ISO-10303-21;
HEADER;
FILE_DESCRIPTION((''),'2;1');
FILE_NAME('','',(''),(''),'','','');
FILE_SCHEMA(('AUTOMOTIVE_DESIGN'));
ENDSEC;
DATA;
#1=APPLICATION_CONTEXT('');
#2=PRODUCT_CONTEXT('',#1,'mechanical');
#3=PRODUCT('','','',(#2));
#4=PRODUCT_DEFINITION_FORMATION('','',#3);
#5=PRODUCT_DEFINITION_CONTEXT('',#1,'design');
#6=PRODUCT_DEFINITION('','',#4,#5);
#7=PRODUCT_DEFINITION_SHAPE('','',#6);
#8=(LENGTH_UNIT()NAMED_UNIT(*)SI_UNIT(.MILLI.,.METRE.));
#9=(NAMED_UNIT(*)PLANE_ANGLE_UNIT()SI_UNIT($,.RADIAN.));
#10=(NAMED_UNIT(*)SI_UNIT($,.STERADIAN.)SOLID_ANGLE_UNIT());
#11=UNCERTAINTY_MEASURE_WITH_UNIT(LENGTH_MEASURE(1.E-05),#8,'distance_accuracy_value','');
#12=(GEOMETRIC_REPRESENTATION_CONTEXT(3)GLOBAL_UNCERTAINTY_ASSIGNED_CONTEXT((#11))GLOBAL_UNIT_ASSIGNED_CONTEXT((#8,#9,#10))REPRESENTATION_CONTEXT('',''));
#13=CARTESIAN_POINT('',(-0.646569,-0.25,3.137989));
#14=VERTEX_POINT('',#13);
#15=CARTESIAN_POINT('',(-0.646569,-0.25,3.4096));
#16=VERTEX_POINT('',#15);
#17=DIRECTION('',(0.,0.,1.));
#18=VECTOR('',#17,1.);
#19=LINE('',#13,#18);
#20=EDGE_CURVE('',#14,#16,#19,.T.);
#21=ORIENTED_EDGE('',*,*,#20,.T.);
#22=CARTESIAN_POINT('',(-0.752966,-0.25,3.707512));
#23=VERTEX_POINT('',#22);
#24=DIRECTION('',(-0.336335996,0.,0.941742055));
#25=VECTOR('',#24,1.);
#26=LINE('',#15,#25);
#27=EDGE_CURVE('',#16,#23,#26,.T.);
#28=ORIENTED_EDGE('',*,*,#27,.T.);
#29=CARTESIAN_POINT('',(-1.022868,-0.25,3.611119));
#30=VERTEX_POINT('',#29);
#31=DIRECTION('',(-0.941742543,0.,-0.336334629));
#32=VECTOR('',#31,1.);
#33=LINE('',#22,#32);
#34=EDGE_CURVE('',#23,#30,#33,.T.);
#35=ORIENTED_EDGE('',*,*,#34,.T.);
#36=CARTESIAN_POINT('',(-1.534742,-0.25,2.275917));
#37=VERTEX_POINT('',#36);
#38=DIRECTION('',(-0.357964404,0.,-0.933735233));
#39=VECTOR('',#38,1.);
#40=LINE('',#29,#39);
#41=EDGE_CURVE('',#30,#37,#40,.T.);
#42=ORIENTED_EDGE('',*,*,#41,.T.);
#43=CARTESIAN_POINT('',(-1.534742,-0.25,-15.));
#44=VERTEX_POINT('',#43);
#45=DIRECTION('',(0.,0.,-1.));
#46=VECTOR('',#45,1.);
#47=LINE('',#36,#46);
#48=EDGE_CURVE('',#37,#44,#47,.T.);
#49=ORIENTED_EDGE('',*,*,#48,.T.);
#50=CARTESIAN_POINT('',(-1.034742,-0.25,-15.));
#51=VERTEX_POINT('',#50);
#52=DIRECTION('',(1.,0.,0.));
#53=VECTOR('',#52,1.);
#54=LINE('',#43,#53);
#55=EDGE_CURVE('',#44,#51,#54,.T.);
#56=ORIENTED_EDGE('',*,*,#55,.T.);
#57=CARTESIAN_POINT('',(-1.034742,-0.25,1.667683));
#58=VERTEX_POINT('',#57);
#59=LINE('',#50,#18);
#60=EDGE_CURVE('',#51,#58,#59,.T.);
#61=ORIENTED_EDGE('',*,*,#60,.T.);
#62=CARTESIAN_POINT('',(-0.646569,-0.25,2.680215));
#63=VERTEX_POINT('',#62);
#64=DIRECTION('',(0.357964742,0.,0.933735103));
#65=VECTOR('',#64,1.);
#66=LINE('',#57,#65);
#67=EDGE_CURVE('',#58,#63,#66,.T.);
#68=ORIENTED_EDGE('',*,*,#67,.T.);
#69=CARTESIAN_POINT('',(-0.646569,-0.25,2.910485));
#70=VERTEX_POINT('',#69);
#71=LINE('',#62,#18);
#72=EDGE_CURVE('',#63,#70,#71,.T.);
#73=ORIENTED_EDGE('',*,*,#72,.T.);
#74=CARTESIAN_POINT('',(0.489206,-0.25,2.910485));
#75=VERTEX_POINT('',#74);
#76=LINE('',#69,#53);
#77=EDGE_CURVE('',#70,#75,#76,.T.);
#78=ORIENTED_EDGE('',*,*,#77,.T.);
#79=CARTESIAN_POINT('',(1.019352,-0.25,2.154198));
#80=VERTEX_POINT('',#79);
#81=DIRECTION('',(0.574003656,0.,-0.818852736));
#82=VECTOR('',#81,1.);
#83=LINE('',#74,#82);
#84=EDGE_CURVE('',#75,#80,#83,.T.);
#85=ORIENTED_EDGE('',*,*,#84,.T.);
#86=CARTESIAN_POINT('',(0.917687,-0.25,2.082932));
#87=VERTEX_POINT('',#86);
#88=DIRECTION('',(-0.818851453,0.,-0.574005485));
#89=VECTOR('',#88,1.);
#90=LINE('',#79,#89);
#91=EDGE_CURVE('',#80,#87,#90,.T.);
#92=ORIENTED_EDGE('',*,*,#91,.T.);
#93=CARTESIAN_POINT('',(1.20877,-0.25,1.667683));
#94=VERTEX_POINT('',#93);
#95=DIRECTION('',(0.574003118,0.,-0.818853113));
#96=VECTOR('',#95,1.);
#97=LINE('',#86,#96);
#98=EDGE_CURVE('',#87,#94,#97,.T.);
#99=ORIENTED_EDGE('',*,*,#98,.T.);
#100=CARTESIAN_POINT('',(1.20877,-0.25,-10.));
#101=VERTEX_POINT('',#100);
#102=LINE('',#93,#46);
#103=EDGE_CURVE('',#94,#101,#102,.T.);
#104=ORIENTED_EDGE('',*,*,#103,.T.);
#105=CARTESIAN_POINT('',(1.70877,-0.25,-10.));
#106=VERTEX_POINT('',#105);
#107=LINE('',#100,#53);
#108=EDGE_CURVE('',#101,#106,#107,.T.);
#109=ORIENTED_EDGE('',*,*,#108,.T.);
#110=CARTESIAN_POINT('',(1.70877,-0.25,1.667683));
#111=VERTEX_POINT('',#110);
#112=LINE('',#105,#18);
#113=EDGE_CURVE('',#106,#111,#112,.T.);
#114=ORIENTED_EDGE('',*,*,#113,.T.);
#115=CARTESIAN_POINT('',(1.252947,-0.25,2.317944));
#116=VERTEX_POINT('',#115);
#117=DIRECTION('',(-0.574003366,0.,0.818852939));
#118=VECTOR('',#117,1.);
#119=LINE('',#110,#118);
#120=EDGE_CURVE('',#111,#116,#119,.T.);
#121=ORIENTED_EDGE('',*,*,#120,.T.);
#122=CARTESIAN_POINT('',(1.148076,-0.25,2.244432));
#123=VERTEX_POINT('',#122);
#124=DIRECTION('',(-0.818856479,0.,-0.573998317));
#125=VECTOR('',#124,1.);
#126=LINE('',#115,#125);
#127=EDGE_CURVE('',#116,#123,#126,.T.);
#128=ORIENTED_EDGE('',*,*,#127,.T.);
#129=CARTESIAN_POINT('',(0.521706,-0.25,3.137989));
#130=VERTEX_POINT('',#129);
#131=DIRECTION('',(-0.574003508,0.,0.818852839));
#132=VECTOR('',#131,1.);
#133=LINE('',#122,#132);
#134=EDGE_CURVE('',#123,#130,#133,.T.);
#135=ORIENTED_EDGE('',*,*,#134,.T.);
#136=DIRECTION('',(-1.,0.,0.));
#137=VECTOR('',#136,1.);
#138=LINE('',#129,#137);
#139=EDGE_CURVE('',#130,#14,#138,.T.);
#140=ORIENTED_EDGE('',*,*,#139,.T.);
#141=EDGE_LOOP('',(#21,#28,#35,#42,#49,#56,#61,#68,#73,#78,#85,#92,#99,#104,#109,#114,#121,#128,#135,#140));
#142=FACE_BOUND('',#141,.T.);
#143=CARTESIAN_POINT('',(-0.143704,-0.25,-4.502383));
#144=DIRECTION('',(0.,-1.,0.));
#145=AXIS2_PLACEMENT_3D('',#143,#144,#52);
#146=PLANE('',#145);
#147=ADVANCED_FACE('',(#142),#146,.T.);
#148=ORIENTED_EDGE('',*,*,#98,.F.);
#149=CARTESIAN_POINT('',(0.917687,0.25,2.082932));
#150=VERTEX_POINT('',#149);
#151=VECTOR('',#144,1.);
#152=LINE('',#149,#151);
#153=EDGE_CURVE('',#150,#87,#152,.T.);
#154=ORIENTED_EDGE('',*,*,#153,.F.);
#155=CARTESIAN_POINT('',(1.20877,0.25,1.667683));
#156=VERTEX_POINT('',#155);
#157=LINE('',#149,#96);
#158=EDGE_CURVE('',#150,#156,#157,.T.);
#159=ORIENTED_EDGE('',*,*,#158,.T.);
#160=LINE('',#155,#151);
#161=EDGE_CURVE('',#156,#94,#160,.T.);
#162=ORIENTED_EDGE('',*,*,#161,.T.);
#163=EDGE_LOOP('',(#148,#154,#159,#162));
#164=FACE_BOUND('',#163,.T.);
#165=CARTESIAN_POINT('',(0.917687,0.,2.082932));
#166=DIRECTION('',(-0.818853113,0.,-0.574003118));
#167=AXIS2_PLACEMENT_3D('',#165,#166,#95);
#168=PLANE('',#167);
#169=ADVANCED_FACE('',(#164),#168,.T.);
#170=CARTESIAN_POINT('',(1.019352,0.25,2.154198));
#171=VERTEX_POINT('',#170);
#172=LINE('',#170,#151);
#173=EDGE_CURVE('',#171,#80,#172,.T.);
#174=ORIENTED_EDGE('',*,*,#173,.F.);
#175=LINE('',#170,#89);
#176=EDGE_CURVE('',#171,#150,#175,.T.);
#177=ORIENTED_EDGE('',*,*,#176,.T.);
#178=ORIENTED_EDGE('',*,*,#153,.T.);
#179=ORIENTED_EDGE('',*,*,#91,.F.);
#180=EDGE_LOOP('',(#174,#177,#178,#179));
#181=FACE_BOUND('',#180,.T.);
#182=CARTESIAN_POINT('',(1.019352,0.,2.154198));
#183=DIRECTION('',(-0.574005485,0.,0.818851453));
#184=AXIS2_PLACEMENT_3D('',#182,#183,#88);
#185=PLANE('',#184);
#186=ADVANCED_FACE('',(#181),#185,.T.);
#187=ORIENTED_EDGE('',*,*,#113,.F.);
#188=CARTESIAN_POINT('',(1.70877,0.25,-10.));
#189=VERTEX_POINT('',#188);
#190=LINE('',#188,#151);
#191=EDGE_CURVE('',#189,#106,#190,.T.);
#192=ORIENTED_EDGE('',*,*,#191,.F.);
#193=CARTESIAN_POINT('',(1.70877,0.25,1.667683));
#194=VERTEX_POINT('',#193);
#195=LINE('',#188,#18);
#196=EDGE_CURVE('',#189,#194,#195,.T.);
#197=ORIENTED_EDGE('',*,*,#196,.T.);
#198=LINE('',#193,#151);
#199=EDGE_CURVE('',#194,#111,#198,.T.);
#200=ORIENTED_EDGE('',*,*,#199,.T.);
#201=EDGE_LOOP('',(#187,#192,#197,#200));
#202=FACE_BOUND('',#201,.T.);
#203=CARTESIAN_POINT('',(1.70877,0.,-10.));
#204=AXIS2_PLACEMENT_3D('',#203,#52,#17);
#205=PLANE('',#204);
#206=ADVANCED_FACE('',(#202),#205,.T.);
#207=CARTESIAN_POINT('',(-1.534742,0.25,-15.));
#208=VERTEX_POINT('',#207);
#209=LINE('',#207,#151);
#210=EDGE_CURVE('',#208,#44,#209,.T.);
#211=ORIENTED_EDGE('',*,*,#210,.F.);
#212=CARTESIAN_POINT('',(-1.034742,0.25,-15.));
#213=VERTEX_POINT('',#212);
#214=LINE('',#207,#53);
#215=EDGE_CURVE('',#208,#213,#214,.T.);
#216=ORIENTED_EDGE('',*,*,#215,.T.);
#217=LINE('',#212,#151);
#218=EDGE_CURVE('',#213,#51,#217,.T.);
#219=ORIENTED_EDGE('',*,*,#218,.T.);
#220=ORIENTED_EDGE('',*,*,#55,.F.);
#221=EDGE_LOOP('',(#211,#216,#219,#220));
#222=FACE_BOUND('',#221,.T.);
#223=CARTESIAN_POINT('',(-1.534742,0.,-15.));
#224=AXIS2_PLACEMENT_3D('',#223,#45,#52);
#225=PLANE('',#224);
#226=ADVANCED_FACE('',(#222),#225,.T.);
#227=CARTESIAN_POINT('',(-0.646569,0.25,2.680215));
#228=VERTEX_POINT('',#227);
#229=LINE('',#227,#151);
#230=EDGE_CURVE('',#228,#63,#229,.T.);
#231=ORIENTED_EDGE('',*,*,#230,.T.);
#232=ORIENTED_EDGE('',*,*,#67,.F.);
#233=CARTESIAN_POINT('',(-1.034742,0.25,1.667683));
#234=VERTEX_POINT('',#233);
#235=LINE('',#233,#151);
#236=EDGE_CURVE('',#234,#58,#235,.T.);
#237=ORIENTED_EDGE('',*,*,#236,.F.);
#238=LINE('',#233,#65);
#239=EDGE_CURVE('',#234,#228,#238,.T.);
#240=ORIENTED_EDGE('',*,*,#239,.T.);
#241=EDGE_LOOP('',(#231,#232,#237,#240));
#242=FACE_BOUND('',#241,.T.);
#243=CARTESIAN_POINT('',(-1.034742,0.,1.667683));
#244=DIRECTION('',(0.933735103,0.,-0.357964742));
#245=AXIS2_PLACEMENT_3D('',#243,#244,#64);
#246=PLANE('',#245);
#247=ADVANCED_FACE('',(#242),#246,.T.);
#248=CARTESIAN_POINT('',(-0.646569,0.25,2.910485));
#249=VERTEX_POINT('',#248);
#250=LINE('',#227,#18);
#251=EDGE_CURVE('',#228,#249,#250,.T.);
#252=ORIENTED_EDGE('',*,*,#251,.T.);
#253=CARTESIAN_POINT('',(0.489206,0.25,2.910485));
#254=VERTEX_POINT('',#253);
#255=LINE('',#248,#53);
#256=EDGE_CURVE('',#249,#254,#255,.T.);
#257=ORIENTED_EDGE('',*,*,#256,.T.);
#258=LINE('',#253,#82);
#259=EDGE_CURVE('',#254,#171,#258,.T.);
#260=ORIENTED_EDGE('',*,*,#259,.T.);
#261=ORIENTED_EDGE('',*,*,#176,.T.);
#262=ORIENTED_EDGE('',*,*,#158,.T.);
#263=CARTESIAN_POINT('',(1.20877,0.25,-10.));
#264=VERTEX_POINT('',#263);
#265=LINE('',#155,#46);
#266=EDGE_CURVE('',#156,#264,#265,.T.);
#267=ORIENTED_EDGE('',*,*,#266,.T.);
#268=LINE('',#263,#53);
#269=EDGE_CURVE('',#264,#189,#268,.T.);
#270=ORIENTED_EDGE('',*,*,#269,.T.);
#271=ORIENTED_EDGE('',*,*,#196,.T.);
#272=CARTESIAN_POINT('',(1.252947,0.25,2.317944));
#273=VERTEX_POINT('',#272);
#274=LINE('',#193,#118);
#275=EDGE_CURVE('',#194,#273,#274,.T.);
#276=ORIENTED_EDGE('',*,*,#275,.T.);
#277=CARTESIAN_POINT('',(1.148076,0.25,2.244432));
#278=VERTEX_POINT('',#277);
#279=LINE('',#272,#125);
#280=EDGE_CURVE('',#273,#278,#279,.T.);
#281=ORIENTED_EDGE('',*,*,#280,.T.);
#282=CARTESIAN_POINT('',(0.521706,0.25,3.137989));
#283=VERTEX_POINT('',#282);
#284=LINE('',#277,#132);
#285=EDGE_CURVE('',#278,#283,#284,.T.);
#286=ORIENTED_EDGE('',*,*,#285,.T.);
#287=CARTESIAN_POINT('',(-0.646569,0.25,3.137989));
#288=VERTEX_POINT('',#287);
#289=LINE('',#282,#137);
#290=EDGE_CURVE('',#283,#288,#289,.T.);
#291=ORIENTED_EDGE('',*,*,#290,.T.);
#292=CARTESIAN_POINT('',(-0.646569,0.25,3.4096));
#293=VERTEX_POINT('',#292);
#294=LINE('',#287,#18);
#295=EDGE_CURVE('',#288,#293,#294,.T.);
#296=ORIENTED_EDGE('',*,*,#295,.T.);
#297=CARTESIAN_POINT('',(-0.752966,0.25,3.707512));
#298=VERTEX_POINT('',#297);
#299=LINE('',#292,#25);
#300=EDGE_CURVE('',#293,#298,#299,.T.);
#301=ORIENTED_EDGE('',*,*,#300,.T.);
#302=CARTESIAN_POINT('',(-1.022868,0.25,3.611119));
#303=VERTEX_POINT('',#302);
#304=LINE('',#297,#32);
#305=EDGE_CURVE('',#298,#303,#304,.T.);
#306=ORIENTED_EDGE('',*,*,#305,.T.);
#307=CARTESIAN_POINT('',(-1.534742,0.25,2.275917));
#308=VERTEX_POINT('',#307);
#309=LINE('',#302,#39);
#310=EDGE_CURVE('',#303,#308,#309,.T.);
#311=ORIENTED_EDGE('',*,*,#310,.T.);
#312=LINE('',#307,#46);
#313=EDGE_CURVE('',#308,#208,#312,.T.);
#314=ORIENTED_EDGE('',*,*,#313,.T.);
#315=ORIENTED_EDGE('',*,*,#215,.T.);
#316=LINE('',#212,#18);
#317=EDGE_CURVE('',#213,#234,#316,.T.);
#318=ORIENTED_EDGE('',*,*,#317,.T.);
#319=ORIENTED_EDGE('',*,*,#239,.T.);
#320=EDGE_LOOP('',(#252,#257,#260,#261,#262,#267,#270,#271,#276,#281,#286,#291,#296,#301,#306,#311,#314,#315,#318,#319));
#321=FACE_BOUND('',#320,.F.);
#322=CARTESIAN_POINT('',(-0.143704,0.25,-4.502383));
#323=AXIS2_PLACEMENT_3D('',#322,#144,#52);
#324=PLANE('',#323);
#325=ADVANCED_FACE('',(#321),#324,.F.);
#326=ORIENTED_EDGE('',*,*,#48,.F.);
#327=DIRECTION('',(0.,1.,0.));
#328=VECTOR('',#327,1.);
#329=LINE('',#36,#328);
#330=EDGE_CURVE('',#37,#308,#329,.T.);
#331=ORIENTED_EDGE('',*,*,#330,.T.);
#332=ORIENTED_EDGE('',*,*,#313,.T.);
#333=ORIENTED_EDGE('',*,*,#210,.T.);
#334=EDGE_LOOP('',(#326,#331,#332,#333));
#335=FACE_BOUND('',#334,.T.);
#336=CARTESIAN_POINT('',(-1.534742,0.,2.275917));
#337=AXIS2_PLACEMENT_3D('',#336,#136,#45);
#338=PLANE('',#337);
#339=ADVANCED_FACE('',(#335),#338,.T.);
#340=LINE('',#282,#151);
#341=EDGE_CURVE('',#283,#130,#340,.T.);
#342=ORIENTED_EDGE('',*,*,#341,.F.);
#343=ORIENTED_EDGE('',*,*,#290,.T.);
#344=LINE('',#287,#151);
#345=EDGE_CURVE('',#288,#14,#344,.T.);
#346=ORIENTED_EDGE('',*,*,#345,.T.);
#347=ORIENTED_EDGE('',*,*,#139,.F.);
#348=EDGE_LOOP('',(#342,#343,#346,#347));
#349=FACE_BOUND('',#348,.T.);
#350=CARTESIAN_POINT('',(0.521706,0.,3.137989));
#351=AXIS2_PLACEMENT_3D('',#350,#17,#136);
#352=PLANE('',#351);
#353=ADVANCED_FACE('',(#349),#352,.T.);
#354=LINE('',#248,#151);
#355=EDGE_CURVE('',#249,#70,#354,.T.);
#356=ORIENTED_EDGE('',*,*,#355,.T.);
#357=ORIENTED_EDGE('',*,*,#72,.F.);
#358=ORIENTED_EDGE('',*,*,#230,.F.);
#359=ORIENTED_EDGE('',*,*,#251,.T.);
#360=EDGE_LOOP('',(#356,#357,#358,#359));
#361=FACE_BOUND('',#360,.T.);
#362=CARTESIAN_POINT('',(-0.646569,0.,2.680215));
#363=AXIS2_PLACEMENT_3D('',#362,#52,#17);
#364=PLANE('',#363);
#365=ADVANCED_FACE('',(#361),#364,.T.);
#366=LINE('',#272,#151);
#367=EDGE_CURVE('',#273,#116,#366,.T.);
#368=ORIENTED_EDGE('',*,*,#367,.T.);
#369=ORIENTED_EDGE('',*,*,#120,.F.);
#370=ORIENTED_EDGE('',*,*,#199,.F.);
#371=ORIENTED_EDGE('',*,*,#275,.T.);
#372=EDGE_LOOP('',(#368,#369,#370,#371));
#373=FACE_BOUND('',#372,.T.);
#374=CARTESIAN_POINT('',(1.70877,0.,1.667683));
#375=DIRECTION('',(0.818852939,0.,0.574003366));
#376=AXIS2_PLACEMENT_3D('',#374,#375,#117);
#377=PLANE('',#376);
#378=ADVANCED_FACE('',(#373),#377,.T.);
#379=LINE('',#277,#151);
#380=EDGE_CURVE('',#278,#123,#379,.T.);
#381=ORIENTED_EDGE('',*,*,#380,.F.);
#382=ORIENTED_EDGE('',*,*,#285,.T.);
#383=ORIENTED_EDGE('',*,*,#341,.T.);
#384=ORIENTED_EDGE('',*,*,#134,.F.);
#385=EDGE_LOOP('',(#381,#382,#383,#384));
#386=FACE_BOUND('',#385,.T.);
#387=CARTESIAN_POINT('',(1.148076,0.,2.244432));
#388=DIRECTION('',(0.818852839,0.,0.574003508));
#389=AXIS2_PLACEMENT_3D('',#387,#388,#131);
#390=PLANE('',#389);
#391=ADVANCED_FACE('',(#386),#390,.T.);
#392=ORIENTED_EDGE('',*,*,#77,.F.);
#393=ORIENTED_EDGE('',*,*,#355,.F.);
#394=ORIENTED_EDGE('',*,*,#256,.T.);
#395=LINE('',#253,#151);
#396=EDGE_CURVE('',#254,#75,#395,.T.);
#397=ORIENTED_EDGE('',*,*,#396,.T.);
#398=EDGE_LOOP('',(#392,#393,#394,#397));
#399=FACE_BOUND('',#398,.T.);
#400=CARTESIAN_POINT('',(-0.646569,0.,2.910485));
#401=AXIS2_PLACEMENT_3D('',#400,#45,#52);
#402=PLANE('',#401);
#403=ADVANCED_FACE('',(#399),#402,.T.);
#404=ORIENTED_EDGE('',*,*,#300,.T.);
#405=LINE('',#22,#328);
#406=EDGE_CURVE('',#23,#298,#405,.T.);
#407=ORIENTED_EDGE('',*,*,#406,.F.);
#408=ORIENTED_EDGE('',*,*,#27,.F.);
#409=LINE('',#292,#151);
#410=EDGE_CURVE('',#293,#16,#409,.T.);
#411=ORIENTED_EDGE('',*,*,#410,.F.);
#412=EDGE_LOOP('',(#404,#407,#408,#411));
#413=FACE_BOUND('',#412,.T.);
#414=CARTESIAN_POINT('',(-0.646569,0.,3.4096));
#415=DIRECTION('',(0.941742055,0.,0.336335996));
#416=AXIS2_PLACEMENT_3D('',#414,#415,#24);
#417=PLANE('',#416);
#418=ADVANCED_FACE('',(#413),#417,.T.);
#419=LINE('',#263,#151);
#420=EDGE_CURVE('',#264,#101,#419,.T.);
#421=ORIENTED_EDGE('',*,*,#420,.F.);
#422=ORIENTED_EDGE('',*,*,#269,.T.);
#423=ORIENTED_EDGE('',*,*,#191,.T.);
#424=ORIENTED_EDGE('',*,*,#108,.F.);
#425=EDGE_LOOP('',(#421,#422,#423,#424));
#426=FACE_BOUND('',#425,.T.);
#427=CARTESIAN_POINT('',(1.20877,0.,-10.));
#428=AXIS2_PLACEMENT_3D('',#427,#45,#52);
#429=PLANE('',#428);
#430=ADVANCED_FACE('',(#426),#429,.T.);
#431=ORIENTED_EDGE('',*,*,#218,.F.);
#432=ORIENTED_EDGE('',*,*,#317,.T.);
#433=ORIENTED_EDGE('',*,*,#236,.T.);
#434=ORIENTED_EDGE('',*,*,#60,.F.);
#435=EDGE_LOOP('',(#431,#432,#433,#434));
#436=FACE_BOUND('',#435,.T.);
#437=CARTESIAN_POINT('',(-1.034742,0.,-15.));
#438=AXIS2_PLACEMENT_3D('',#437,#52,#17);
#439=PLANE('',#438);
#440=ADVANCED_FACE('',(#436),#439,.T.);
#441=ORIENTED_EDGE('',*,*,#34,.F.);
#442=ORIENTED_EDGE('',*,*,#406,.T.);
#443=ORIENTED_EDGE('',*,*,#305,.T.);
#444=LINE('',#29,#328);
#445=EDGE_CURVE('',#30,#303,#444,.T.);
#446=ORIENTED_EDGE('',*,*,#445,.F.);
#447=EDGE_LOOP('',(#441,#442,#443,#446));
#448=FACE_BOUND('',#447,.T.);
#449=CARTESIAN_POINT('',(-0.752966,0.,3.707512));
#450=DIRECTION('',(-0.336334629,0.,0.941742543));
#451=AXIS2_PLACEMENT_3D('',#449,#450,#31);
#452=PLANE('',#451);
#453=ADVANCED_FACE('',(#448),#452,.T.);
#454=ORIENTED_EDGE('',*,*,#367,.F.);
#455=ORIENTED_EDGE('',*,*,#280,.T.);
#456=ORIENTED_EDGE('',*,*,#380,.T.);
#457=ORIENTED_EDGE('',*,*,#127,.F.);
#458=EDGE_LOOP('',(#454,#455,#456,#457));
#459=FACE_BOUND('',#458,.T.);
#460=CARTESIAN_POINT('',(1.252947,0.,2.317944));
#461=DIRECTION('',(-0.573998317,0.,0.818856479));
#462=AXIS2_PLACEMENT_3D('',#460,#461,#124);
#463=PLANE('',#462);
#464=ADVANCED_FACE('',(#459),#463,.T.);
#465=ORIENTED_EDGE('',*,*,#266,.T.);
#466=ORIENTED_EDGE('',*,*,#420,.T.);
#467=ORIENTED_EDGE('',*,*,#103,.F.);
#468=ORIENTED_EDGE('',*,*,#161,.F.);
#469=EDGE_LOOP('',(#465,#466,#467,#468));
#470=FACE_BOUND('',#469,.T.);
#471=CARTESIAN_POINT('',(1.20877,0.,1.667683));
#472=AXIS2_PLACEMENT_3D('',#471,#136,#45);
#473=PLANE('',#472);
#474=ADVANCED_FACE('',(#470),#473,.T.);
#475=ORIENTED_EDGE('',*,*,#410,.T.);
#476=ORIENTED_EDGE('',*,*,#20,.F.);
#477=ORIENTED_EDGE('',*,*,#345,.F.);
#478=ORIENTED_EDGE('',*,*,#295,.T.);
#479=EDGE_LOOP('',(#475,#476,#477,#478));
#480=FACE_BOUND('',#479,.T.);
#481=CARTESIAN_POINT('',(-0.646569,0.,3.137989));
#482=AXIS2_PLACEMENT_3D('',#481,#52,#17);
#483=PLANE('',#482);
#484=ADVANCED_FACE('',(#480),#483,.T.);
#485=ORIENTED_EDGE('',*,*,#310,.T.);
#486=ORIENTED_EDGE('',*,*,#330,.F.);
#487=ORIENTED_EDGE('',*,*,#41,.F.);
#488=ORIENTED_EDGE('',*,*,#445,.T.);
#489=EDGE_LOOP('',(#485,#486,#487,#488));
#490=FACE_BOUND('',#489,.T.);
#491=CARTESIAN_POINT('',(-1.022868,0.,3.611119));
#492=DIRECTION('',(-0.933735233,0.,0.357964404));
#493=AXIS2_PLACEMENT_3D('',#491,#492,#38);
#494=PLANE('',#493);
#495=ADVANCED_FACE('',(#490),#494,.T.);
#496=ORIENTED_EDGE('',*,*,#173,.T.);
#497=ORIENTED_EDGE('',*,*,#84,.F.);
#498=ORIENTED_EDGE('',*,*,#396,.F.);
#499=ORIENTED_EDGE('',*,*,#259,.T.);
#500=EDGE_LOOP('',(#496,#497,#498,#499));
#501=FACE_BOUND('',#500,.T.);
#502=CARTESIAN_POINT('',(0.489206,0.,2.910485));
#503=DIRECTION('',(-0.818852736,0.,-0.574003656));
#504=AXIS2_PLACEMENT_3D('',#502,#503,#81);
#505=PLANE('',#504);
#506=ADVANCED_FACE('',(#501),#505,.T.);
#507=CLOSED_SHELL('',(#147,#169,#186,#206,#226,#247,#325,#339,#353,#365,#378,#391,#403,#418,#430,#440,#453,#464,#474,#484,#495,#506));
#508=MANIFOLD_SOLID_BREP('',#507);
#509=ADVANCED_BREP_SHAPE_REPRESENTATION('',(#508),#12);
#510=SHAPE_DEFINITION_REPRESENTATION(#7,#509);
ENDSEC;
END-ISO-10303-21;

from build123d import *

# Parameters (mm, degrees)
F1_DEPTH = 0.25


with BuildPart() as f1:
    # F0 (on Front) → F1 (new body, symmetric)
    with BuildSketch(Plane.XZ):
        Polygon((-1.534742, 2.275917), (-1.534742, -15), (-1.034742, -15), (-1.034742, 1.667683), (-0.646569, 2.680215), (-0.646569, 2.910485), (0.489206, 2.910485), (1.019352, 2.154198), (0.917687, 2.082932), (1.20877, 1.667683), (1.20877, -10), (1.70877, -10), (1.70877, 1.667683), (1.252947, 2.317944), (1.148076, 2.244432), (0.521706, 3.137989), (-0.646569, 3.137989), (-0.646569, 3.4096), (-0.752966, 3.707512), (-1.022868, 3.611119), align=None)
    extrude(amount=F1_DEPTH, both=True)


solid = f1.part
